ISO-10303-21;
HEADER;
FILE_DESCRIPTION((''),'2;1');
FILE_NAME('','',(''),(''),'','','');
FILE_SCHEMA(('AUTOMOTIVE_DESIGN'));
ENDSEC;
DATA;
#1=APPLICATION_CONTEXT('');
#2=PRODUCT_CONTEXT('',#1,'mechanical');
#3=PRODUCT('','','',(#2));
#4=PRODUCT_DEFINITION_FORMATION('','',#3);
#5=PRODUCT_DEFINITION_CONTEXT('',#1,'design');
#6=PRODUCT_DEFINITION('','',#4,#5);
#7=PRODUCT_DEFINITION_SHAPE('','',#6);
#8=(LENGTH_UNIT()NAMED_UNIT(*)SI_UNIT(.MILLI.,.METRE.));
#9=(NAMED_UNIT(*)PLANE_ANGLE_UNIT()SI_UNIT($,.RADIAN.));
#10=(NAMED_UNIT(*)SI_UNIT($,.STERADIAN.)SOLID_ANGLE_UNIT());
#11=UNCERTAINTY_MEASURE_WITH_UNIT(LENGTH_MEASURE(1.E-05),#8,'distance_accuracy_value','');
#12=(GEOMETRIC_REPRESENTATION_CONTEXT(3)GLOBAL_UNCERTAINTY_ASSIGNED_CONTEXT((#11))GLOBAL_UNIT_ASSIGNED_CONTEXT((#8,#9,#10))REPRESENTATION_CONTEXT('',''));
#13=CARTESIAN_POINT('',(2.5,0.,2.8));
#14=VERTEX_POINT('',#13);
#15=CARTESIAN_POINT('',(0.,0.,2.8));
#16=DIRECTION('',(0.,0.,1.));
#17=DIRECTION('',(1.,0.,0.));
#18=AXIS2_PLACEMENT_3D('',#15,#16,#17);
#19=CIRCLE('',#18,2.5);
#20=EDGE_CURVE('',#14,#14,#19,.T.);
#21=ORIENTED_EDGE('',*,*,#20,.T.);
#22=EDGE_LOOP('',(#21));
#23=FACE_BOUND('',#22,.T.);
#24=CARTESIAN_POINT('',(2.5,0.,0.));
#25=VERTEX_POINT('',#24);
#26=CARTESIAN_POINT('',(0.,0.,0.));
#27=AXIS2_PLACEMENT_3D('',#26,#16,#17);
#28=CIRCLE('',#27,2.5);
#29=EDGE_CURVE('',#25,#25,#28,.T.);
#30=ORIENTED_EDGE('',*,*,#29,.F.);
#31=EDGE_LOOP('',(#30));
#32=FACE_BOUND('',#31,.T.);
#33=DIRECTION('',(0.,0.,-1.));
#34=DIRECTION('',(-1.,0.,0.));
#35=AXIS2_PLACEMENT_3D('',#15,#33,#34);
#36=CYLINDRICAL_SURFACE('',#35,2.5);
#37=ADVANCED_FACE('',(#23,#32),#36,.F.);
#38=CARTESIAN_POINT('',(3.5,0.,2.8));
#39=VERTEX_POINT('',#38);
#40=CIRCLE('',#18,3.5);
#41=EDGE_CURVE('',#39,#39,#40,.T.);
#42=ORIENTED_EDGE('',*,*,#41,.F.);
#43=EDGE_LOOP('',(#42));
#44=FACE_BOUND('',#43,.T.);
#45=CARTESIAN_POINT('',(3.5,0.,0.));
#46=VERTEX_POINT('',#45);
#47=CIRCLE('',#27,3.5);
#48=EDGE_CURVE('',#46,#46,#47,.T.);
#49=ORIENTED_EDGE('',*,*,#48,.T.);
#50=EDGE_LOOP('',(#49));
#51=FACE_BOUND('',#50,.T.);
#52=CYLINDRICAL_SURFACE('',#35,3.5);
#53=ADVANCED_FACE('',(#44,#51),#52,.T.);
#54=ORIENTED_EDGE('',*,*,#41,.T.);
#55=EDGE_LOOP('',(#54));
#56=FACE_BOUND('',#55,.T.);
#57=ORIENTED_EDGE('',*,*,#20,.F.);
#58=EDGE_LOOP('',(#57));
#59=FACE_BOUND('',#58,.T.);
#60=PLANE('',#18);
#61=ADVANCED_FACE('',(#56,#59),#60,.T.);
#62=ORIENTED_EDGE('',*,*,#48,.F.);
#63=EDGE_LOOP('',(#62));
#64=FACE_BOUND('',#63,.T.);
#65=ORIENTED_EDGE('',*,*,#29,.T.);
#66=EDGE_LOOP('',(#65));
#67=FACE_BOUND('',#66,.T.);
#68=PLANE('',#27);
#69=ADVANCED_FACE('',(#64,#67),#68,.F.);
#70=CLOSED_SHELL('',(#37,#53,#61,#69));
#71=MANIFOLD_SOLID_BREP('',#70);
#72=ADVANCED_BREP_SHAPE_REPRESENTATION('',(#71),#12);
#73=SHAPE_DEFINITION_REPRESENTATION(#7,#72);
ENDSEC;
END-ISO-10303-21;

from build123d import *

# Parameters (mm, degrees)
SKETCH_1_R      = 3.5
SKETCH_1_R_2    = 2.5
EXTRUDE_1_DEPTH = 2.8


with BuildPart() as part:
    # 草图1 → 凸台-拉伸1 (new body)
    with BuildSketch(Plane.XY):
        Circle(SKETCH_1_R)
        Circle(SKETCH_1_R_2, mode=Mode.SUBTRACT)
    extrude(amount=EXTRUDE_1_DEPTH)


solid = part.part
